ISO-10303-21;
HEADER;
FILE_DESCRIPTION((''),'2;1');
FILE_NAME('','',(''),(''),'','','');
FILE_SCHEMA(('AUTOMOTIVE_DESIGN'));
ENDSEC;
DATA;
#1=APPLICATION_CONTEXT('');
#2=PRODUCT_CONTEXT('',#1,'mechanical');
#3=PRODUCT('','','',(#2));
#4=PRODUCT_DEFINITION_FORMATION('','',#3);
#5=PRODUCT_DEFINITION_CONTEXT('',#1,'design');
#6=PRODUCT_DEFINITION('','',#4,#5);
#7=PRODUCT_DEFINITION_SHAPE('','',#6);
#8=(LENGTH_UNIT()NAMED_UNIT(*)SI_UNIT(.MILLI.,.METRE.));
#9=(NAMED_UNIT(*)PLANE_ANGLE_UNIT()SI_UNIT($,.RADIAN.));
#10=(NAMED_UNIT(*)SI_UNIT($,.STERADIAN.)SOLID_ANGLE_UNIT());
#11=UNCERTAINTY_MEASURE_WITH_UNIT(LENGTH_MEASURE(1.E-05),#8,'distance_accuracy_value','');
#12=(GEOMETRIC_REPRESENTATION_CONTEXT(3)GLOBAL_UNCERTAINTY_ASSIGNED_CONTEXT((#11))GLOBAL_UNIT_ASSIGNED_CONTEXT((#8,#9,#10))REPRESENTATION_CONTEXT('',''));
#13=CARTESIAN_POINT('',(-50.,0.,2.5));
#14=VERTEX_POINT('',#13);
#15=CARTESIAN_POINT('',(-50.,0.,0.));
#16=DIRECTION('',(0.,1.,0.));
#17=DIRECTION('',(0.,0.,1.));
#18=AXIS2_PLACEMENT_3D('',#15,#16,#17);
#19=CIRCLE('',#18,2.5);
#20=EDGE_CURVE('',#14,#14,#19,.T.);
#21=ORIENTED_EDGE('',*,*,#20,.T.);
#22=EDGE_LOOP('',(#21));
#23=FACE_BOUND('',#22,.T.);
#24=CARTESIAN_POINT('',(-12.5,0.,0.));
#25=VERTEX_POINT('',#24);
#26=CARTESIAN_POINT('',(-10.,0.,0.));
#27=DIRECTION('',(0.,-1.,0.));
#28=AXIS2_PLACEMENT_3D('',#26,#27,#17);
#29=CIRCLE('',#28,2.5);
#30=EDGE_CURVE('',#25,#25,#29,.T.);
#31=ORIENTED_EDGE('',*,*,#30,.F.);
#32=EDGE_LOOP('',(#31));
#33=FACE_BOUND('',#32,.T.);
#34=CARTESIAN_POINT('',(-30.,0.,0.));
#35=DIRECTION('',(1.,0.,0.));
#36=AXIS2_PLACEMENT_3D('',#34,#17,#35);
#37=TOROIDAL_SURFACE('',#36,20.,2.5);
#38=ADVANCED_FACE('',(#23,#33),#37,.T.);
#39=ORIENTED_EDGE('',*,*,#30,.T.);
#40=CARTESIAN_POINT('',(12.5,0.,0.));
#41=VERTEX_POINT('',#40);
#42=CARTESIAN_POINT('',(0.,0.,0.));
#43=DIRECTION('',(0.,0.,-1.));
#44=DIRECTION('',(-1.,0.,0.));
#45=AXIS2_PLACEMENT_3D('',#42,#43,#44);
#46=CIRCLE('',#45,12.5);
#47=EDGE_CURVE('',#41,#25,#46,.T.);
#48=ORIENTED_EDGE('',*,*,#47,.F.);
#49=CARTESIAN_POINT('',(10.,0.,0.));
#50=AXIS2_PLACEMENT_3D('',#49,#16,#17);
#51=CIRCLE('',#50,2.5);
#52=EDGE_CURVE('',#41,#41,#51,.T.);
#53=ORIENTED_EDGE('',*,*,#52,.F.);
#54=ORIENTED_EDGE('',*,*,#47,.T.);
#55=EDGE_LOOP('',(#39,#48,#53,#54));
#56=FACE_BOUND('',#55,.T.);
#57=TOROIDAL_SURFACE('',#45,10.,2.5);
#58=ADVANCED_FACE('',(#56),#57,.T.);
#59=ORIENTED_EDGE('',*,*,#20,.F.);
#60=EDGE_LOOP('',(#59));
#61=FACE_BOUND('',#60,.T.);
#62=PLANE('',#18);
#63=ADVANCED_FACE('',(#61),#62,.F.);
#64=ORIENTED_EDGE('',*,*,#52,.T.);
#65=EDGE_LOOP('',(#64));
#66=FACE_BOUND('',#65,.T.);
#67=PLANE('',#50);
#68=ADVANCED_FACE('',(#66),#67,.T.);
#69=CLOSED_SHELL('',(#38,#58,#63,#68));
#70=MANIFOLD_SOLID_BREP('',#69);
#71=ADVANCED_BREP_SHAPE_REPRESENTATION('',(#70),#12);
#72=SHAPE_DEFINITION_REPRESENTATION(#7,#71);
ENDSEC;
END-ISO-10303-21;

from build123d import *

# Parameters (mm, degrees)
SKETCH_2_R = 2.5


with BuildPart() as part:
    # 扫描1: sweep along a path in 草图1
    with BuildLine(Plane.XY) as sweep_1_path:
        ThreePointArc((10, 0), (0, -10), (-10, 0))
        ThreePointArc((-10, 0), (-30, 20), (-50, 0))
    # 草图2 → 扫描1 (sweep)
    with BuildSketch(Plane(origin=(0, 0, 0), x_dir=(1, 0, 0), z_dir=(0, 1, 0))):
        with Locations((-50, 0)):
            Circle(SKETCH_2_R)
    sweep(path=sweep_1_path.line)


solid = part.part
